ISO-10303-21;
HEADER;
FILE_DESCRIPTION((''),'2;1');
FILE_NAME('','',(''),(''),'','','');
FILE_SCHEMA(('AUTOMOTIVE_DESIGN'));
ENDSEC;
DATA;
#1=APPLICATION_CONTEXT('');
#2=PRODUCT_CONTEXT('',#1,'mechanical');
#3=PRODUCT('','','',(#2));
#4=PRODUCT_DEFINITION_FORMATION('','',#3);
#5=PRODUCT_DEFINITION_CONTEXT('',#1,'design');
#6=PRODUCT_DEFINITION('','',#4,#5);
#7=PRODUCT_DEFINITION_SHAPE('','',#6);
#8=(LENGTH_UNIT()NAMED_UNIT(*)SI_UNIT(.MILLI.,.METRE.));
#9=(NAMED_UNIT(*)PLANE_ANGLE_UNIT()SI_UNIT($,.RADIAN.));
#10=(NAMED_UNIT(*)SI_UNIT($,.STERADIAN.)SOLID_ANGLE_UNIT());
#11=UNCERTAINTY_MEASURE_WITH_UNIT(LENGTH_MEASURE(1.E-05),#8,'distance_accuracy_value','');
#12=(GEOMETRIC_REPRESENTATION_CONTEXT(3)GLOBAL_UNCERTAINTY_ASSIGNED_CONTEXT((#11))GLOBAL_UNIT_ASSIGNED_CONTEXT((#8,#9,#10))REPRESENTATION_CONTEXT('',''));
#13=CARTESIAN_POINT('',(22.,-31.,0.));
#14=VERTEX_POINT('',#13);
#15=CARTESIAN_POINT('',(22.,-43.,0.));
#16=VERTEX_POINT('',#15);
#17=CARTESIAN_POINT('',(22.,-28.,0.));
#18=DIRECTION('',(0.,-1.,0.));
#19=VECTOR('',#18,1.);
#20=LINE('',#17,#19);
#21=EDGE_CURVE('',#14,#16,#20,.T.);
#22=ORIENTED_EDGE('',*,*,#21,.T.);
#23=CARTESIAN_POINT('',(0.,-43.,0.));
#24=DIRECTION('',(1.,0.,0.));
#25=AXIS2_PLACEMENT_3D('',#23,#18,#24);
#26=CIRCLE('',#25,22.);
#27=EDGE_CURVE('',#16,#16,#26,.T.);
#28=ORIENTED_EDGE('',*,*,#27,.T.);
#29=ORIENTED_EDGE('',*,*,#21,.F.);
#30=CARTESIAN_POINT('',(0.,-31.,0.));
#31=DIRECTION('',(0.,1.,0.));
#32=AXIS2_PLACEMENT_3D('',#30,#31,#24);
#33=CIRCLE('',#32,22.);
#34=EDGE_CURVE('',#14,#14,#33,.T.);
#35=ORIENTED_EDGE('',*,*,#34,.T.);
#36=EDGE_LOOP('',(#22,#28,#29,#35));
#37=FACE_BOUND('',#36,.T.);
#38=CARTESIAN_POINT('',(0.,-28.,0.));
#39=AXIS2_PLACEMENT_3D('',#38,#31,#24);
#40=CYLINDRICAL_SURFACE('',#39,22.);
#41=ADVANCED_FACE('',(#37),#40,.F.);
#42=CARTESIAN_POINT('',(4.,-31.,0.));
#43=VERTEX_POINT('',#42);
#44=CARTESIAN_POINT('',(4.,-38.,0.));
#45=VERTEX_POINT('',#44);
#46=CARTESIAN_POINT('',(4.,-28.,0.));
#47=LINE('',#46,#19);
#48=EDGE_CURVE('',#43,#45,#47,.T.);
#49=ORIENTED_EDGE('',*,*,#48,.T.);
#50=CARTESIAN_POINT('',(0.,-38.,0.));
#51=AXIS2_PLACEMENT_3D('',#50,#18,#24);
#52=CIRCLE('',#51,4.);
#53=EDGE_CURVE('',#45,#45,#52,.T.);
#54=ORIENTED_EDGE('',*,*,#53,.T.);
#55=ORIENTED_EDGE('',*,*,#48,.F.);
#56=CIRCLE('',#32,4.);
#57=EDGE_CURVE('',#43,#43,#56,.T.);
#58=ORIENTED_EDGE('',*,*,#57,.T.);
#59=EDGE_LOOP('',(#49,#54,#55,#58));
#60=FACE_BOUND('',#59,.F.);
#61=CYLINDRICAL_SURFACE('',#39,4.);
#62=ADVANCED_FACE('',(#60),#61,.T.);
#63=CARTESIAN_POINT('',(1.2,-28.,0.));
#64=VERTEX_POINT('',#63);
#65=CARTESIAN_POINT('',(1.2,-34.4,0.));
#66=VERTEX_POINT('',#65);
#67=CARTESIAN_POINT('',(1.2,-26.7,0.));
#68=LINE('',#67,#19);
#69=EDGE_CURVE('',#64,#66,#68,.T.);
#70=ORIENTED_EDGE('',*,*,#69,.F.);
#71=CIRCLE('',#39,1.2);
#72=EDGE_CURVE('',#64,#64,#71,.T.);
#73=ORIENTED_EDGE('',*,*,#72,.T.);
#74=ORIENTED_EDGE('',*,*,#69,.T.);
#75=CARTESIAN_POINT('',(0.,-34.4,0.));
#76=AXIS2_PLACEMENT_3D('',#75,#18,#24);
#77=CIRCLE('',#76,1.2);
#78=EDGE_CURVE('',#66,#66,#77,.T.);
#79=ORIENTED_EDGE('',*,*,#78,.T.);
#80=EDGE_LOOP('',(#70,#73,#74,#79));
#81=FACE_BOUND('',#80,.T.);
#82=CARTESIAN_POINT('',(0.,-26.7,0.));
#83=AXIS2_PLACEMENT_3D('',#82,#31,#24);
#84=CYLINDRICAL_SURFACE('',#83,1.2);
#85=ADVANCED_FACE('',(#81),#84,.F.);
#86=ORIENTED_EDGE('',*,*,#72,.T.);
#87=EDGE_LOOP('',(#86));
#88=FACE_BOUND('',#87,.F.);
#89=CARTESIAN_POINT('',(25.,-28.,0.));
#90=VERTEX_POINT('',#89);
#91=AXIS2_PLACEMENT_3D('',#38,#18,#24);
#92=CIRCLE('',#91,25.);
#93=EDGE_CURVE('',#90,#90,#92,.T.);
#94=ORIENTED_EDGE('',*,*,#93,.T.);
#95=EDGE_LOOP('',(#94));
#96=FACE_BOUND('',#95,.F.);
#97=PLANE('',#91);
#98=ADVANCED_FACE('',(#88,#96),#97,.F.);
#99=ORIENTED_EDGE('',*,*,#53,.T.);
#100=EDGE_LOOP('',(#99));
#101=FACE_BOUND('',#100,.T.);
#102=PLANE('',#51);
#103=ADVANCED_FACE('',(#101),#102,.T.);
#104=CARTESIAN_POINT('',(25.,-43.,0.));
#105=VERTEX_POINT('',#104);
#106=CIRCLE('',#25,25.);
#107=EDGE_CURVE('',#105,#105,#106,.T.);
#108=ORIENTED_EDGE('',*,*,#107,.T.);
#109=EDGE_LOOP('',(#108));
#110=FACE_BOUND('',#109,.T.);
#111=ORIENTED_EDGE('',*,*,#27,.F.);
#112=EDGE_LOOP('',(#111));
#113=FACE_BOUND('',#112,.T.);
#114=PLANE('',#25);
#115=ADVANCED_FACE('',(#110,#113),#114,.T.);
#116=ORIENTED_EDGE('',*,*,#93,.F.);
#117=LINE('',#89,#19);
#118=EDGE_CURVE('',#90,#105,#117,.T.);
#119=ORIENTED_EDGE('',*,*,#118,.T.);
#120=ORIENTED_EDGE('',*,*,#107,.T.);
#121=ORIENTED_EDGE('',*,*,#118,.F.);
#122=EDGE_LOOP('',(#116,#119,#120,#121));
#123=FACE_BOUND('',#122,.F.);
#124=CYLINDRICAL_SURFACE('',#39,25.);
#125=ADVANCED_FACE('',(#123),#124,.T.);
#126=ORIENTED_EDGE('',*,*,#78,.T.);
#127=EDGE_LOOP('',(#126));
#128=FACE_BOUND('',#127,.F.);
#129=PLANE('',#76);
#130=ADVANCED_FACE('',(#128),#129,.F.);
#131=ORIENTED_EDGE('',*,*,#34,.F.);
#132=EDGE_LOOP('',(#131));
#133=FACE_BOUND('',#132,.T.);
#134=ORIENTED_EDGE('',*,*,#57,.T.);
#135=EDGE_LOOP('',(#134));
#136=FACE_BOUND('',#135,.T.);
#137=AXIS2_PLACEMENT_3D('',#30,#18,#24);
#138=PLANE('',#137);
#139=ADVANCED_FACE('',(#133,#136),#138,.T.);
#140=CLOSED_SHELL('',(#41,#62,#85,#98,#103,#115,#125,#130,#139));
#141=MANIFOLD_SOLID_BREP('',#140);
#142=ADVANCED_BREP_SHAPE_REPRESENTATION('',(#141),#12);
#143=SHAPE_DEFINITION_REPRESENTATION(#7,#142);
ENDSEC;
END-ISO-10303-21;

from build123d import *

# Parameters (mm, degrees)
CYLINDER_R             = 1.2
CYLINDER_DEPTH         = 7.7
CYLINDER_ROLL_ANGLE    = 90
CYLINDER002_R          = 4
CYLINDER002_DEPTH      = 10
CYLINDER002_ROLL_ANGLE = 90
CYLINDER001_R          = 25
CYLINDER001_DEPTH      = 15
CYLINDER001_ROLL_ANGLE = 90
THICKNESS_T            = -3


with BuildPart() as motorshaft:
    # Cylinder → Cylinder (new body)
    with BuildSketch(Plane.XY):
        Circle(CYLINDER_R)
    extrude(amount=CYLINDER_DEPTH)


with BuildPart() as motorshaft_1:
    # Cylinder roll: moved
    add(motorshaft.part.rotate(Axis((0, 0, 0), (1, 0, 0)), CYLINDER_ROLL_ANGLE))


with BuildPart() as motorshaft_2:
    # Cylinder placement: moved
    add(motorshaft_1.part.moved(Location((0, -26.7, 0))))


with BuildPart() as shaft_holder_f:
    # Cylinder002 → Cylinder002 (new body)
    with BuildSketch(Plane.XY):
        Circle(CYLINDER002_R)
    extrude(amount=CYLINDER002_DEPTH)


with BuildPart() as shaft_holder_f_1:
    # Cylinder002 roll: moved
    add(shaft_holder_f.part.rotate(Axis((0, 0, 0), (1, 0, 0)), CYLINDER002_ROLL_ANGLE))


with BuildPart() as shaft_holder_f_2:
    # Cylinder002 placement: moved
    add(shaft_holder_f_1.part.moved(Location((0, -28, 0))))


with BuildPart() as wheel_shaft_hollow_f:
    # Cylinder001 → Cylinder001 (new body)
    with BuildSketch(Plane.XY):
        Circle(CYLINDER001_R)
    extrude(amount=CYLINDER001_DEPTH)


with BuildPart() as wheel_shaft_hollow_f_1:
    # Cylinder001 roll: moved
    add(wheel_shaft_hollow_f.part.rotate(Axis((0, 0, 0), (1, 0, 0)), CYLINDER001_ROLL_ANGLE))


with BuildPart() as wheel_shaft_hollow_f_2:
    # Cylinder001 placement: moved
    add(wheel_shaft_hollow_f_1.part.moved(Location((0, -28, 0))))

    # Thickness
    thickness_openings = [wheel_shaft_hollow_f_2.faces().sort_by_distance(p)[0] for p in [
        (0, -43, 0),
    ]]
    offset(amount=THICKNESS_T, openings=thickness_openings)

    # Fusion: union shaft_holder_f
    add(shaft_holder_f_2.part)

    # Cut: cut motorshaft
    add(motorshaft_2.part, mode=Mode.SUBTRACT)


solid = wheel_shaft_hollow_f_2.part
